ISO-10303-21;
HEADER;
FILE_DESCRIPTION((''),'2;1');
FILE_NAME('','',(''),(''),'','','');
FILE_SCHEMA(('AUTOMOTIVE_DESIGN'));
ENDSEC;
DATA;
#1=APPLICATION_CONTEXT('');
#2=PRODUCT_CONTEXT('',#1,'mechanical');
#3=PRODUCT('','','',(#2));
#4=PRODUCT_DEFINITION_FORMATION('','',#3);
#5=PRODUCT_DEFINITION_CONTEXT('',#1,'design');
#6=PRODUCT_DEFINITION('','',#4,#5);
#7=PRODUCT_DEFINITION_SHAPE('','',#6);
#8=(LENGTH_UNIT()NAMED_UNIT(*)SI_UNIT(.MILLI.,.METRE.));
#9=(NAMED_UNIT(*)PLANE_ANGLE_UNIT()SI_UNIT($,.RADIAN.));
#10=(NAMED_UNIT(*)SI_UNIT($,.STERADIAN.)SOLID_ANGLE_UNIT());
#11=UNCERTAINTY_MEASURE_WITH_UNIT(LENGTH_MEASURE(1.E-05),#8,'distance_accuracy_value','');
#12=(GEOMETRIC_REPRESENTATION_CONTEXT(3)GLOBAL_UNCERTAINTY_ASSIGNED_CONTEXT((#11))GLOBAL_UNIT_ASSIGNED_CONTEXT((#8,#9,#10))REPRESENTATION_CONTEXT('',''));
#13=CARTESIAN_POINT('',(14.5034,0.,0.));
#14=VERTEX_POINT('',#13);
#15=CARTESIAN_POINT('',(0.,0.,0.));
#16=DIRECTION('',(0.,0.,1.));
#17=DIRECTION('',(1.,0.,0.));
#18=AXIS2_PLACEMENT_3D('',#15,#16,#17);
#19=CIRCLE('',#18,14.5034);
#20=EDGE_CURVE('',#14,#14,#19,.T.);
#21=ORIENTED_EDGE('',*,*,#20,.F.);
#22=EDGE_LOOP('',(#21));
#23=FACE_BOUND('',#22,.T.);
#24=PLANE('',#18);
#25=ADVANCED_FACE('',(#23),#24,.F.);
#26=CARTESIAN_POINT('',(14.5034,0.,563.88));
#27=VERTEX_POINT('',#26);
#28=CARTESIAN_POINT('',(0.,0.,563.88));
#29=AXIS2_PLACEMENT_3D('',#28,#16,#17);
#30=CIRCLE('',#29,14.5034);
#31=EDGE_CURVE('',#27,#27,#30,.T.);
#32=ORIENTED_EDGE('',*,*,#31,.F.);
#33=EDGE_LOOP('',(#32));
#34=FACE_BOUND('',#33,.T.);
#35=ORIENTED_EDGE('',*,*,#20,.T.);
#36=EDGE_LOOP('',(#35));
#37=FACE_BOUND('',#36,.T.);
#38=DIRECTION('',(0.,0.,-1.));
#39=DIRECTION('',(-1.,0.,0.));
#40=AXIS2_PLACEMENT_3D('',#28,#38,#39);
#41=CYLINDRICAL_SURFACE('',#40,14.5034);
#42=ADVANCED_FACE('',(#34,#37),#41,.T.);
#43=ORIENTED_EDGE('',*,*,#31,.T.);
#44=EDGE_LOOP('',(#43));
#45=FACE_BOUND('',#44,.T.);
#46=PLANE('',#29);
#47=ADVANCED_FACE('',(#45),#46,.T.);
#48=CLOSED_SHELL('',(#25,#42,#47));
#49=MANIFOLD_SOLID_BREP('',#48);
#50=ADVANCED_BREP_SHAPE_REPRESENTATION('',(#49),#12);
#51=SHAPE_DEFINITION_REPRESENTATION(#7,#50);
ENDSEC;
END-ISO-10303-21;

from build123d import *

# Parameters (mm, degrees)
SKETCH1_R           = 14.5034
BOSS_EXTRUDE1_DEPTH = 563.88


with BuildPart() as part:
    # Sketch1 → Boss-Extrude1 (new body)
    with BuildSketch(Plane.XY):
        Circle(SKETCH1_R)
    extrude(amount=BOSS_EXTRUDE1_DEPTH)


solid = part.part
